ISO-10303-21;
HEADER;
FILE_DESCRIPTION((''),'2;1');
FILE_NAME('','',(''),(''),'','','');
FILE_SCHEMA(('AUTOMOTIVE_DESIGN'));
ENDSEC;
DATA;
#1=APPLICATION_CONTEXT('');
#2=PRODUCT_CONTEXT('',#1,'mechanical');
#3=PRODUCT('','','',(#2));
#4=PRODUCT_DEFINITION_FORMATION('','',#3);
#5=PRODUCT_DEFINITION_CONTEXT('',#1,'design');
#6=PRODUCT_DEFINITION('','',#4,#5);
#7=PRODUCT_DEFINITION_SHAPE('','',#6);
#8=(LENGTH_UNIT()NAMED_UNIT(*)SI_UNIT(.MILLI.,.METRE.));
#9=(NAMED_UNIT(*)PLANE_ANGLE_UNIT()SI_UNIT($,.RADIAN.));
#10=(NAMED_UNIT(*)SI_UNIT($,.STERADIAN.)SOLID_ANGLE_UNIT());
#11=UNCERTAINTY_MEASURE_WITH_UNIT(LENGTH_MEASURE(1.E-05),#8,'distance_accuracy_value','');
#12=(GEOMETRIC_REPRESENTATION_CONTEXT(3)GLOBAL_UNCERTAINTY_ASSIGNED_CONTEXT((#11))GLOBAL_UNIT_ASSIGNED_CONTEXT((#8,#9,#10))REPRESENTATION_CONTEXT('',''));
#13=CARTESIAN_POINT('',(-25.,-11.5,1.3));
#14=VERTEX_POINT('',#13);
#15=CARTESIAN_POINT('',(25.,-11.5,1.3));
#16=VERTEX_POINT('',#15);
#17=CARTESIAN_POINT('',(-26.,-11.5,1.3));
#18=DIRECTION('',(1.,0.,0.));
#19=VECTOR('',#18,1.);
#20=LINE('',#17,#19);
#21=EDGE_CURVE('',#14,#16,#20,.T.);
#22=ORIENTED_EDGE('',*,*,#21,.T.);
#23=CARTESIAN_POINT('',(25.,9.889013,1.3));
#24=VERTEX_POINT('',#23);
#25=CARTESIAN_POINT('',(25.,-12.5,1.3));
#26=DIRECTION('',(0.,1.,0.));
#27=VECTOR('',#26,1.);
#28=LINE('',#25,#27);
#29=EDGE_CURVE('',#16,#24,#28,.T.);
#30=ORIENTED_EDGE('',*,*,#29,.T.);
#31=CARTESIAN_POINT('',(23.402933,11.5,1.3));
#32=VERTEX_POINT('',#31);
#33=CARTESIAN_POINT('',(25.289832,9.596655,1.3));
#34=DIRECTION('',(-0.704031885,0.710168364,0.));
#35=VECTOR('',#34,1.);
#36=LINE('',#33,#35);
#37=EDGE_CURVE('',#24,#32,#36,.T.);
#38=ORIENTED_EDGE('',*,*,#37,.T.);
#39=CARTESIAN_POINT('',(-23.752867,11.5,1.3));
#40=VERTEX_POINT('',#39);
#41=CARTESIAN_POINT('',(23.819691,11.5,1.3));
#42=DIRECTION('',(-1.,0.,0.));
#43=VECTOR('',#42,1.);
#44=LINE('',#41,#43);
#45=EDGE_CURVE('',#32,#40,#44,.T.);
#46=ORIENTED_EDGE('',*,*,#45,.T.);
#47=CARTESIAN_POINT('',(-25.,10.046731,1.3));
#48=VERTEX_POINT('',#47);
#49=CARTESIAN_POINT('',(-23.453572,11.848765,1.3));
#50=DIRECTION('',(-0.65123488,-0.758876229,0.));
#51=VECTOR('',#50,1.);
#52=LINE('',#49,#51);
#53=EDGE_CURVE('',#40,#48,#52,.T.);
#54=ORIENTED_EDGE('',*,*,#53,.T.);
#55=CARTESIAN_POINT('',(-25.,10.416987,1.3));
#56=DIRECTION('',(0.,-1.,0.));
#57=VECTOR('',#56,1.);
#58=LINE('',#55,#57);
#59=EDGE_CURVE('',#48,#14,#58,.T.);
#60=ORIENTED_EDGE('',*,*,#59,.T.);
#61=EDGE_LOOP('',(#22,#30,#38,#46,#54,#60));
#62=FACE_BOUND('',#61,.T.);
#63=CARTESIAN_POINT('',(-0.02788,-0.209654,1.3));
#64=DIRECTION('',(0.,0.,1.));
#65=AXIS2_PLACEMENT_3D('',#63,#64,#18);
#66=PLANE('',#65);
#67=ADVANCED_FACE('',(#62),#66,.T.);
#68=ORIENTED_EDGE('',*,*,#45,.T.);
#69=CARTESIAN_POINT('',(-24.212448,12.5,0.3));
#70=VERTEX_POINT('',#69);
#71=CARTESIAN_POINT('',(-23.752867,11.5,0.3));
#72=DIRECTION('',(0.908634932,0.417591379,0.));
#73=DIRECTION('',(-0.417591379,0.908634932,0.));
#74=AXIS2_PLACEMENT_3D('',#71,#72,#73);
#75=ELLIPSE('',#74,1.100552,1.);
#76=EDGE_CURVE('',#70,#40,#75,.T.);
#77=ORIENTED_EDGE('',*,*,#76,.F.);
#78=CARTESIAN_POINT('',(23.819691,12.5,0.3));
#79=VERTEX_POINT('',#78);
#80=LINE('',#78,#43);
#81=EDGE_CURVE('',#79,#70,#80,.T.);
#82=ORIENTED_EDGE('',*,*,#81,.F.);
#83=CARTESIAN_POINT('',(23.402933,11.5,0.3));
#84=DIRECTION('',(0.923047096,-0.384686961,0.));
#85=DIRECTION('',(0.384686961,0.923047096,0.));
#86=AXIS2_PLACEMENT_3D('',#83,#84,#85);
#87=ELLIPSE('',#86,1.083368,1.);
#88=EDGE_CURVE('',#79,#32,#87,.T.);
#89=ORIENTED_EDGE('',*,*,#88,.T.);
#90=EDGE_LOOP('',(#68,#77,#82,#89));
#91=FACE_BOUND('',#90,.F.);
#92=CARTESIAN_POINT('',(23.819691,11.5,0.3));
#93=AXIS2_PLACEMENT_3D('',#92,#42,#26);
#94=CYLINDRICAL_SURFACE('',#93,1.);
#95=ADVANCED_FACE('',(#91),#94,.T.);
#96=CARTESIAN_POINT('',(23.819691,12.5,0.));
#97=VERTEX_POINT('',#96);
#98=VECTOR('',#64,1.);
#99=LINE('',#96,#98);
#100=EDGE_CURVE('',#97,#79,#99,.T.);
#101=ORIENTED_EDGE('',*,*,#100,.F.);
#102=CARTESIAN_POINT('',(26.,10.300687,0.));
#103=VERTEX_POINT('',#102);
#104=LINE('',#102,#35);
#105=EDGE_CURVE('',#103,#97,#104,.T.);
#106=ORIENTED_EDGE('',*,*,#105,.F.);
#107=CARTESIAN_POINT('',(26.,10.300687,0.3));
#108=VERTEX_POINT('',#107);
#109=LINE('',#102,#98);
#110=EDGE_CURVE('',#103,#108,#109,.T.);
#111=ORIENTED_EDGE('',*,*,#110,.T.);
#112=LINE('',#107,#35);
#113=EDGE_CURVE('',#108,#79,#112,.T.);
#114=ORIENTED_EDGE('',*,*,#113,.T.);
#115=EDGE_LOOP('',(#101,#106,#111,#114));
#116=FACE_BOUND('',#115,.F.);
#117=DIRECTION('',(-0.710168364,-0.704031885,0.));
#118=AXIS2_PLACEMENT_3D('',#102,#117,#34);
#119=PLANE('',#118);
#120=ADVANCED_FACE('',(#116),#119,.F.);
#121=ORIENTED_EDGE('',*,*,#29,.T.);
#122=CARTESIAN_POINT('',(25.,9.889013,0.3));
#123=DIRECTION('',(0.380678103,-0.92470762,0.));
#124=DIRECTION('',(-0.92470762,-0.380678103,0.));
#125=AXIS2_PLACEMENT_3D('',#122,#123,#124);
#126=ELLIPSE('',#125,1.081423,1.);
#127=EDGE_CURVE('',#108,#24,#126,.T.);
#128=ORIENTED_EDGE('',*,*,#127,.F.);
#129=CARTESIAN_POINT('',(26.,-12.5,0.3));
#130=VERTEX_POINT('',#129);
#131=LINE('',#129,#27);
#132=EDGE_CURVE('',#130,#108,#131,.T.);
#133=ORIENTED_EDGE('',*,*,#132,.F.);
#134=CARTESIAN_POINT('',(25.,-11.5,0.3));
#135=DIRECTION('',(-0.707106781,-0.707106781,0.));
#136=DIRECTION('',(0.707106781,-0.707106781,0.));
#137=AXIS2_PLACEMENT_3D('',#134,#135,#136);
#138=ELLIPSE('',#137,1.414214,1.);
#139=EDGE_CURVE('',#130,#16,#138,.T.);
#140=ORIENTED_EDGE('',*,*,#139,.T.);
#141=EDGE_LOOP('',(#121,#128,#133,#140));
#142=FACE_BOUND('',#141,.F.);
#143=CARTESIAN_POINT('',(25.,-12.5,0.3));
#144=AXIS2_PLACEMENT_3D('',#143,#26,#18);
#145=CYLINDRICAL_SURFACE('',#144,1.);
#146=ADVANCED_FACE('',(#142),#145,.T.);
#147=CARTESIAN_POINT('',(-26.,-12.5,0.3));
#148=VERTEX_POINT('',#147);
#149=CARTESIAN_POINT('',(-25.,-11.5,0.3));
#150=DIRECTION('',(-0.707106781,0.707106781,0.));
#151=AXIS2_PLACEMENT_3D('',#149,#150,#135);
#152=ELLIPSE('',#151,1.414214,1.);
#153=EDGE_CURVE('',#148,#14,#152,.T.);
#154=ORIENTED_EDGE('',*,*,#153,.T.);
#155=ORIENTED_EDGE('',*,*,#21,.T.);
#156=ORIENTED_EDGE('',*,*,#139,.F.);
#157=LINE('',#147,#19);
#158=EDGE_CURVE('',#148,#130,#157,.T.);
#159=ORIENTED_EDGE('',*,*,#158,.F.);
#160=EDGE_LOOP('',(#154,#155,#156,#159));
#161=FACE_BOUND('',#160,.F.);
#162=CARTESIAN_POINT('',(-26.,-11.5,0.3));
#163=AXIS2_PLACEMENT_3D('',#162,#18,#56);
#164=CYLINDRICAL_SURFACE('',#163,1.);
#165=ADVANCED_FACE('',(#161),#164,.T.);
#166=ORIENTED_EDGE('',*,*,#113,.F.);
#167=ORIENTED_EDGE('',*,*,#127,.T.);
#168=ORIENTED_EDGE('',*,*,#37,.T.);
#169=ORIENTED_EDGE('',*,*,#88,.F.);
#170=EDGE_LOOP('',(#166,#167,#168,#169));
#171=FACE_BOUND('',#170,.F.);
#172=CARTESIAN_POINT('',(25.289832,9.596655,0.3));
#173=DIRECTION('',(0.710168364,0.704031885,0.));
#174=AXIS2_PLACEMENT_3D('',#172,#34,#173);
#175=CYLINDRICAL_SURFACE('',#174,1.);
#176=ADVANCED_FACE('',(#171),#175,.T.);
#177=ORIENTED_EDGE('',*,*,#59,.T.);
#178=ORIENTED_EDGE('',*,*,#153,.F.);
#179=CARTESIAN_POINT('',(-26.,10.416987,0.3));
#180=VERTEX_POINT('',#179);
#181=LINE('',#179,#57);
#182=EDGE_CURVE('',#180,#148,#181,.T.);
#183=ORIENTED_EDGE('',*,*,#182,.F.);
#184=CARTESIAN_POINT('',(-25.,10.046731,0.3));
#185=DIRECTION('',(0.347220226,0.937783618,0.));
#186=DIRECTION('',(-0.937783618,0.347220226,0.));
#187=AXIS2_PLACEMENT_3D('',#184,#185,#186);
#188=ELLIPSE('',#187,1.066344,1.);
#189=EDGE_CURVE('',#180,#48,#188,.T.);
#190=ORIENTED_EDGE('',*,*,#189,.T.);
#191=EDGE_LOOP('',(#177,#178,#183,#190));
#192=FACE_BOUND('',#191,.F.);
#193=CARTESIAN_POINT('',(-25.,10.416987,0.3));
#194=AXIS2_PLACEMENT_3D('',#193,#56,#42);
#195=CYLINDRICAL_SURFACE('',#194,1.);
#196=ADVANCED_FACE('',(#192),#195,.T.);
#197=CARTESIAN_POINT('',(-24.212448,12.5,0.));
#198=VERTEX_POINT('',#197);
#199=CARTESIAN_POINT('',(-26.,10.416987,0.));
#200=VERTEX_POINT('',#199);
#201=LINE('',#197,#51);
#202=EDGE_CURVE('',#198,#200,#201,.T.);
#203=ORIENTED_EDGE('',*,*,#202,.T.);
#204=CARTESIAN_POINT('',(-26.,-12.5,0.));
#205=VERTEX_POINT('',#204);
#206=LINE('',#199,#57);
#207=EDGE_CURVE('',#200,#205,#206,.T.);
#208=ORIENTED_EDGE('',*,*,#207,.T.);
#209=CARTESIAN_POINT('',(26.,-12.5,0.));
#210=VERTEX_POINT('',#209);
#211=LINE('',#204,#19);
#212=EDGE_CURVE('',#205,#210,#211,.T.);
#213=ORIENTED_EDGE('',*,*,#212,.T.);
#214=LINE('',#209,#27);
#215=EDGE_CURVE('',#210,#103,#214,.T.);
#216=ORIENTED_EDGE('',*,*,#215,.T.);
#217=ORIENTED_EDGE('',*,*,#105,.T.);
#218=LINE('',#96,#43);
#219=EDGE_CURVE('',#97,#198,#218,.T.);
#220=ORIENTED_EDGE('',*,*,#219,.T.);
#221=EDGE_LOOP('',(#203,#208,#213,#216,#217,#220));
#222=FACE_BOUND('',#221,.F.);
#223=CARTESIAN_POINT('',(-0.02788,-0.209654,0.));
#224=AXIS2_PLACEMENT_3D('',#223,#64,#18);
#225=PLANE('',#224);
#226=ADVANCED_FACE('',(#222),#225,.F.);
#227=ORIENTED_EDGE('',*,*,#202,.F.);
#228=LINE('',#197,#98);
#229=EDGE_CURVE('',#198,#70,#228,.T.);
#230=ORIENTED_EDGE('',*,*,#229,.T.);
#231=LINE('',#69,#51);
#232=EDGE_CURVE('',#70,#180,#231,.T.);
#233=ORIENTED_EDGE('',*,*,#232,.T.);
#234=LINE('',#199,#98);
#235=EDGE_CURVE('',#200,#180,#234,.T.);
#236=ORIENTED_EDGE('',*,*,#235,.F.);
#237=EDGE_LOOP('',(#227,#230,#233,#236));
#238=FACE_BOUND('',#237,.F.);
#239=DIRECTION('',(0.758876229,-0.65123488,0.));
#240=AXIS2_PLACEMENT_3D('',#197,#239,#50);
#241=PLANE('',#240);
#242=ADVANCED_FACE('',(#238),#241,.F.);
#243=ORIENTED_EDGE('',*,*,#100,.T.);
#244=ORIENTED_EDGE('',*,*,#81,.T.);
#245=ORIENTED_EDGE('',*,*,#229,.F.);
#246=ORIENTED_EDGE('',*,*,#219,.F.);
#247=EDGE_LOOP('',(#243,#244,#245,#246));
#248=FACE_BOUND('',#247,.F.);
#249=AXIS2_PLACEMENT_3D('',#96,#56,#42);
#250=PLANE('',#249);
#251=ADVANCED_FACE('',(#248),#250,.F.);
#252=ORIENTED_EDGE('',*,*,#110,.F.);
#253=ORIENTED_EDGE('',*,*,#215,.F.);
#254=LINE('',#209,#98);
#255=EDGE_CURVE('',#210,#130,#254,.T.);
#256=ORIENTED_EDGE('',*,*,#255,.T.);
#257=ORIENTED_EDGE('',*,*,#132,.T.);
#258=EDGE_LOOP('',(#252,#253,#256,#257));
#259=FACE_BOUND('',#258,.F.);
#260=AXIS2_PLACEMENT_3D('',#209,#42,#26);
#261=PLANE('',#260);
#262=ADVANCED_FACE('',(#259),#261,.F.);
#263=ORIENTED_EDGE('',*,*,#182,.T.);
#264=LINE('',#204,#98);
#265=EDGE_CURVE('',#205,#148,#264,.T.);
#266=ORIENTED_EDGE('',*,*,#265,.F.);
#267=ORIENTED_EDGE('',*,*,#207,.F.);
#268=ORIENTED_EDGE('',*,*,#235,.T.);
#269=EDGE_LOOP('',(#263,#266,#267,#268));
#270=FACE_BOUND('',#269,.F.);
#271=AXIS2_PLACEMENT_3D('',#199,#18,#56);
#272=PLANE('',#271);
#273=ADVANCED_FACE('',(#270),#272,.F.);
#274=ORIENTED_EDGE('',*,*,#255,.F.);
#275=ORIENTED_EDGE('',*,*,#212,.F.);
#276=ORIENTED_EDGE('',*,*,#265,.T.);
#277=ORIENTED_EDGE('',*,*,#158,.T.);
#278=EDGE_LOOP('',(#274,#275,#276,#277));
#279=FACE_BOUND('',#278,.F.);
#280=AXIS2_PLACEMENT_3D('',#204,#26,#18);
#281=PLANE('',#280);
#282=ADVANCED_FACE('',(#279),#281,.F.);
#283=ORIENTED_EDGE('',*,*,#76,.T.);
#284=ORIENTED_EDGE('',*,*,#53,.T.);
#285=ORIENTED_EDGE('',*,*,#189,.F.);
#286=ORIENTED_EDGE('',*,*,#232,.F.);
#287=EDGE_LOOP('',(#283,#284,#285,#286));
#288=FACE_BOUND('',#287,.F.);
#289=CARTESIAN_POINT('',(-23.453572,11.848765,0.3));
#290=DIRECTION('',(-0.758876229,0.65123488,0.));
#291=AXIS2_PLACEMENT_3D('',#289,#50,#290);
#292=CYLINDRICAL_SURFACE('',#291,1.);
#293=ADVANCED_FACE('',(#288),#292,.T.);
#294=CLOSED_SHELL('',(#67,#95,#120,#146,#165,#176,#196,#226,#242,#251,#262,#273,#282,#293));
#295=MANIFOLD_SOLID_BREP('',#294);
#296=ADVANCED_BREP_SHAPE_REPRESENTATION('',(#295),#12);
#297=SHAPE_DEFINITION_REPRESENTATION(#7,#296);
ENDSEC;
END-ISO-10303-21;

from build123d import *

# Parameters (mm, degrees)
F1_DEPTH = 1.3
F2_R     = 1


with BuildPart() as f1:
    # F0 (on Top) → F1 (new body)
    with BuildSketch(Plane.XY):
        Polygon((26, 10.300687), (23.819691, 12.5), (-24.212448, 12.5), (-26, 10.416987), (-26, -12.5), (26, -12.5), align=None)
    extrude(amount=F1_DEPTH)

    # F2
    f2_edges = [f1.edges().sort_by_distance(p)[0] for p in [
        (24.909845, 11.400343, 1.3),
        (-0.196379, 12.5, 1.3),
        (-25.106224, 11.458494, 1.3),
        (-26, -1.041506, 1.3),
        (0, -12.5, 1.3),
        (26, -1.099657, 1.3),
    ]]
    fillet(f2_edges, radius=F2_R)


solid = f1.part
